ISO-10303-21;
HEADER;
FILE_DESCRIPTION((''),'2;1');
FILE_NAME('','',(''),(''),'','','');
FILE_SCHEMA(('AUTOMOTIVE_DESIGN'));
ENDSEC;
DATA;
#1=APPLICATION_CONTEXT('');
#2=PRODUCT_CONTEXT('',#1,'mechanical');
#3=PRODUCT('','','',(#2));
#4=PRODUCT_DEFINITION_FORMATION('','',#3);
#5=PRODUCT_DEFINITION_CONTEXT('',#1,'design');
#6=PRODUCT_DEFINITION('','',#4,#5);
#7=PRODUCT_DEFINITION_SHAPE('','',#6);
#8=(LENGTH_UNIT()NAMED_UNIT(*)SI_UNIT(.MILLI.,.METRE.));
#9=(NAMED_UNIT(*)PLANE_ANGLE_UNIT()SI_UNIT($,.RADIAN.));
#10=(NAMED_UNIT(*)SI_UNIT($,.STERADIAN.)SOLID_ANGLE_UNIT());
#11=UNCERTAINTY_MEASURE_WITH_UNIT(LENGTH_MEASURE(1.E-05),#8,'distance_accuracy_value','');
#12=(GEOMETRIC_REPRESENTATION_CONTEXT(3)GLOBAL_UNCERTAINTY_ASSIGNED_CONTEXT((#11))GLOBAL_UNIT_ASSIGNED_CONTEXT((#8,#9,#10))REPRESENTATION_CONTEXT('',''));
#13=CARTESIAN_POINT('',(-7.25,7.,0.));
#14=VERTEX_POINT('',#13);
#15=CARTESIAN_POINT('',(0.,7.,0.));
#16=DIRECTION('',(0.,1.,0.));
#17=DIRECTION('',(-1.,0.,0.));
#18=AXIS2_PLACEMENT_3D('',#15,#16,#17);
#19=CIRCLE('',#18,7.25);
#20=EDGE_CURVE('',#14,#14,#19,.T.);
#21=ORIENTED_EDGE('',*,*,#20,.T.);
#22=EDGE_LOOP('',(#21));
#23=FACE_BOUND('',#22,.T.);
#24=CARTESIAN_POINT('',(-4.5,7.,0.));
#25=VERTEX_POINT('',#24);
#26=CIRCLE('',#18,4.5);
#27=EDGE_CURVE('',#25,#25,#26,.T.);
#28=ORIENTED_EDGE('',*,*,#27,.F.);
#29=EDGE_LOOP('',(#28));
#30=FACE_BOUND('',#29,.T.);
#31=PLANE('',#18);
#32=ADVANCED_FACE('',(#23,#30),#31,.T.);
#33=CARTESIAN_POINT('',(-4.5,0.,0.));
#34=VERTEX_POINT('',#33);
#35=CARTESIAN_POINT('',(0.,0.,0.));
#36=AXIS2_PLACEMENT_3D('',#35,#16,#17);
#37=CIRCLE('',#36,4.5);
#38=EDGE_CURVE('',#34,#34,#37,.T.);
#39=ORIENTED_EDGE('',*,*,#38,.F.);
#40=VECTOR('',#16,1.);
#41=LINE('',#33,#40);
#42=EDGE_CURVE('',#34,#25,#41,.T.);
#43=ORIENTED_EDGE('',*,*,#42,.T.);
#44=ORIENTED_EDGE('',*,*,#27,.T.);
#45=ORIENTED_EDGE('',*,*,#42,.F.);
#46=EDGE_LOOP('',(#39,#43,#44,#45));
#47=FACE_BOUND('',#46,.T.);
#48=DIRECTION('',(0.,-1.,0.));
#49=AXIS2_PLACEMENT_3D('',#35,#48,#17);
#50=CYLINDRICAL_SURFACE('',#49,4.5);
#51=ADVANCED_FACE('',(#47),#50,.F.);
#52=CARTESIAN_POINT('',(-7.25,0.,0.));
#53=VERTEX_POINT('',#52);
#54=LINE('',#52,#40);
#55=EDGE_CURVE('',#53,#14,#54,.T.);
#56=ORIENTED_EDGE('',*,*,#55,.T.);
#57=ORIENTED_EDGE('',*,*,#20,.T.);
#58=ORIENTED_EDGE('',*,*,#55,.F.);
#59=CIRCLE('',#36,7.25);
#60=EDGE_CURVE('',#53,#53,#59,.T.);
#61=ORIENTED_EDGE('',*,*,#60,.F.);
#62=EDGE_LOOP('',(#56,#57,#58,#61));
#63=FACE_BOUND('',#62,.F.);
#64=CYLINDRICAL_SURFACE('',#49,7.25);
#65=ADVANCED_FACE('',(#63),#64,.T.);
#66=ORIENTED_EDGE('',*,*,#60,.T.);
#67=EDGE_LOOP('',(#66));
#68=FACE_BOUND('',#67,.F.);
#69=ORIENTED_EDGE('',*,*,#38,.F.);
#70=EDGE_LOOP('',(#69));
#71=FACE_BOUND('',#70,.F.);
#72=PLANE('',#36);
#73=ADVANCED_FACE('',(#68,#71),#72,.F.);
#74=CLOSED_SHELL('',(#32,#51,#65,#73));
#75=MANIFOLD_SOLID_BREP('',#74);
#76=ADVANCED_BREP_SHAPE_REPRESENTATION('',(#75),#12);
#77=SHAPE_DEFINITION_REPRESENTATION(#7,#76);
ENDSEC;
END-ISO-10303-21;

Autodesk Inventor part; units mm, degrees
ref_plane "YZ Plane" through (0, 0, 0) normal (1, 0, 0) x (0, 1, 0)
ref_plane "XZ Plane" through (0, 0, 0) normal (0, 1, 0) x (-1, 0, 0)
ref_plane "XY Plane" through (0, 0, 0) normal (0, 0, 1) x (1, 0, 0)
sketch "Skizze1" plane through (0, 0, 0) normal (0, 1, 0) x (-1, 0, 0)
  circle A0 centre (0, 0) radius 7.25
  circle A1 centre (0, 0) radius 4.5
  dimension "d0" = 14.5
  dimension "d1" = 9
extrude "Extrusion1" add sketch "Skizze1" along normal blind 7
properties part number "1103"
